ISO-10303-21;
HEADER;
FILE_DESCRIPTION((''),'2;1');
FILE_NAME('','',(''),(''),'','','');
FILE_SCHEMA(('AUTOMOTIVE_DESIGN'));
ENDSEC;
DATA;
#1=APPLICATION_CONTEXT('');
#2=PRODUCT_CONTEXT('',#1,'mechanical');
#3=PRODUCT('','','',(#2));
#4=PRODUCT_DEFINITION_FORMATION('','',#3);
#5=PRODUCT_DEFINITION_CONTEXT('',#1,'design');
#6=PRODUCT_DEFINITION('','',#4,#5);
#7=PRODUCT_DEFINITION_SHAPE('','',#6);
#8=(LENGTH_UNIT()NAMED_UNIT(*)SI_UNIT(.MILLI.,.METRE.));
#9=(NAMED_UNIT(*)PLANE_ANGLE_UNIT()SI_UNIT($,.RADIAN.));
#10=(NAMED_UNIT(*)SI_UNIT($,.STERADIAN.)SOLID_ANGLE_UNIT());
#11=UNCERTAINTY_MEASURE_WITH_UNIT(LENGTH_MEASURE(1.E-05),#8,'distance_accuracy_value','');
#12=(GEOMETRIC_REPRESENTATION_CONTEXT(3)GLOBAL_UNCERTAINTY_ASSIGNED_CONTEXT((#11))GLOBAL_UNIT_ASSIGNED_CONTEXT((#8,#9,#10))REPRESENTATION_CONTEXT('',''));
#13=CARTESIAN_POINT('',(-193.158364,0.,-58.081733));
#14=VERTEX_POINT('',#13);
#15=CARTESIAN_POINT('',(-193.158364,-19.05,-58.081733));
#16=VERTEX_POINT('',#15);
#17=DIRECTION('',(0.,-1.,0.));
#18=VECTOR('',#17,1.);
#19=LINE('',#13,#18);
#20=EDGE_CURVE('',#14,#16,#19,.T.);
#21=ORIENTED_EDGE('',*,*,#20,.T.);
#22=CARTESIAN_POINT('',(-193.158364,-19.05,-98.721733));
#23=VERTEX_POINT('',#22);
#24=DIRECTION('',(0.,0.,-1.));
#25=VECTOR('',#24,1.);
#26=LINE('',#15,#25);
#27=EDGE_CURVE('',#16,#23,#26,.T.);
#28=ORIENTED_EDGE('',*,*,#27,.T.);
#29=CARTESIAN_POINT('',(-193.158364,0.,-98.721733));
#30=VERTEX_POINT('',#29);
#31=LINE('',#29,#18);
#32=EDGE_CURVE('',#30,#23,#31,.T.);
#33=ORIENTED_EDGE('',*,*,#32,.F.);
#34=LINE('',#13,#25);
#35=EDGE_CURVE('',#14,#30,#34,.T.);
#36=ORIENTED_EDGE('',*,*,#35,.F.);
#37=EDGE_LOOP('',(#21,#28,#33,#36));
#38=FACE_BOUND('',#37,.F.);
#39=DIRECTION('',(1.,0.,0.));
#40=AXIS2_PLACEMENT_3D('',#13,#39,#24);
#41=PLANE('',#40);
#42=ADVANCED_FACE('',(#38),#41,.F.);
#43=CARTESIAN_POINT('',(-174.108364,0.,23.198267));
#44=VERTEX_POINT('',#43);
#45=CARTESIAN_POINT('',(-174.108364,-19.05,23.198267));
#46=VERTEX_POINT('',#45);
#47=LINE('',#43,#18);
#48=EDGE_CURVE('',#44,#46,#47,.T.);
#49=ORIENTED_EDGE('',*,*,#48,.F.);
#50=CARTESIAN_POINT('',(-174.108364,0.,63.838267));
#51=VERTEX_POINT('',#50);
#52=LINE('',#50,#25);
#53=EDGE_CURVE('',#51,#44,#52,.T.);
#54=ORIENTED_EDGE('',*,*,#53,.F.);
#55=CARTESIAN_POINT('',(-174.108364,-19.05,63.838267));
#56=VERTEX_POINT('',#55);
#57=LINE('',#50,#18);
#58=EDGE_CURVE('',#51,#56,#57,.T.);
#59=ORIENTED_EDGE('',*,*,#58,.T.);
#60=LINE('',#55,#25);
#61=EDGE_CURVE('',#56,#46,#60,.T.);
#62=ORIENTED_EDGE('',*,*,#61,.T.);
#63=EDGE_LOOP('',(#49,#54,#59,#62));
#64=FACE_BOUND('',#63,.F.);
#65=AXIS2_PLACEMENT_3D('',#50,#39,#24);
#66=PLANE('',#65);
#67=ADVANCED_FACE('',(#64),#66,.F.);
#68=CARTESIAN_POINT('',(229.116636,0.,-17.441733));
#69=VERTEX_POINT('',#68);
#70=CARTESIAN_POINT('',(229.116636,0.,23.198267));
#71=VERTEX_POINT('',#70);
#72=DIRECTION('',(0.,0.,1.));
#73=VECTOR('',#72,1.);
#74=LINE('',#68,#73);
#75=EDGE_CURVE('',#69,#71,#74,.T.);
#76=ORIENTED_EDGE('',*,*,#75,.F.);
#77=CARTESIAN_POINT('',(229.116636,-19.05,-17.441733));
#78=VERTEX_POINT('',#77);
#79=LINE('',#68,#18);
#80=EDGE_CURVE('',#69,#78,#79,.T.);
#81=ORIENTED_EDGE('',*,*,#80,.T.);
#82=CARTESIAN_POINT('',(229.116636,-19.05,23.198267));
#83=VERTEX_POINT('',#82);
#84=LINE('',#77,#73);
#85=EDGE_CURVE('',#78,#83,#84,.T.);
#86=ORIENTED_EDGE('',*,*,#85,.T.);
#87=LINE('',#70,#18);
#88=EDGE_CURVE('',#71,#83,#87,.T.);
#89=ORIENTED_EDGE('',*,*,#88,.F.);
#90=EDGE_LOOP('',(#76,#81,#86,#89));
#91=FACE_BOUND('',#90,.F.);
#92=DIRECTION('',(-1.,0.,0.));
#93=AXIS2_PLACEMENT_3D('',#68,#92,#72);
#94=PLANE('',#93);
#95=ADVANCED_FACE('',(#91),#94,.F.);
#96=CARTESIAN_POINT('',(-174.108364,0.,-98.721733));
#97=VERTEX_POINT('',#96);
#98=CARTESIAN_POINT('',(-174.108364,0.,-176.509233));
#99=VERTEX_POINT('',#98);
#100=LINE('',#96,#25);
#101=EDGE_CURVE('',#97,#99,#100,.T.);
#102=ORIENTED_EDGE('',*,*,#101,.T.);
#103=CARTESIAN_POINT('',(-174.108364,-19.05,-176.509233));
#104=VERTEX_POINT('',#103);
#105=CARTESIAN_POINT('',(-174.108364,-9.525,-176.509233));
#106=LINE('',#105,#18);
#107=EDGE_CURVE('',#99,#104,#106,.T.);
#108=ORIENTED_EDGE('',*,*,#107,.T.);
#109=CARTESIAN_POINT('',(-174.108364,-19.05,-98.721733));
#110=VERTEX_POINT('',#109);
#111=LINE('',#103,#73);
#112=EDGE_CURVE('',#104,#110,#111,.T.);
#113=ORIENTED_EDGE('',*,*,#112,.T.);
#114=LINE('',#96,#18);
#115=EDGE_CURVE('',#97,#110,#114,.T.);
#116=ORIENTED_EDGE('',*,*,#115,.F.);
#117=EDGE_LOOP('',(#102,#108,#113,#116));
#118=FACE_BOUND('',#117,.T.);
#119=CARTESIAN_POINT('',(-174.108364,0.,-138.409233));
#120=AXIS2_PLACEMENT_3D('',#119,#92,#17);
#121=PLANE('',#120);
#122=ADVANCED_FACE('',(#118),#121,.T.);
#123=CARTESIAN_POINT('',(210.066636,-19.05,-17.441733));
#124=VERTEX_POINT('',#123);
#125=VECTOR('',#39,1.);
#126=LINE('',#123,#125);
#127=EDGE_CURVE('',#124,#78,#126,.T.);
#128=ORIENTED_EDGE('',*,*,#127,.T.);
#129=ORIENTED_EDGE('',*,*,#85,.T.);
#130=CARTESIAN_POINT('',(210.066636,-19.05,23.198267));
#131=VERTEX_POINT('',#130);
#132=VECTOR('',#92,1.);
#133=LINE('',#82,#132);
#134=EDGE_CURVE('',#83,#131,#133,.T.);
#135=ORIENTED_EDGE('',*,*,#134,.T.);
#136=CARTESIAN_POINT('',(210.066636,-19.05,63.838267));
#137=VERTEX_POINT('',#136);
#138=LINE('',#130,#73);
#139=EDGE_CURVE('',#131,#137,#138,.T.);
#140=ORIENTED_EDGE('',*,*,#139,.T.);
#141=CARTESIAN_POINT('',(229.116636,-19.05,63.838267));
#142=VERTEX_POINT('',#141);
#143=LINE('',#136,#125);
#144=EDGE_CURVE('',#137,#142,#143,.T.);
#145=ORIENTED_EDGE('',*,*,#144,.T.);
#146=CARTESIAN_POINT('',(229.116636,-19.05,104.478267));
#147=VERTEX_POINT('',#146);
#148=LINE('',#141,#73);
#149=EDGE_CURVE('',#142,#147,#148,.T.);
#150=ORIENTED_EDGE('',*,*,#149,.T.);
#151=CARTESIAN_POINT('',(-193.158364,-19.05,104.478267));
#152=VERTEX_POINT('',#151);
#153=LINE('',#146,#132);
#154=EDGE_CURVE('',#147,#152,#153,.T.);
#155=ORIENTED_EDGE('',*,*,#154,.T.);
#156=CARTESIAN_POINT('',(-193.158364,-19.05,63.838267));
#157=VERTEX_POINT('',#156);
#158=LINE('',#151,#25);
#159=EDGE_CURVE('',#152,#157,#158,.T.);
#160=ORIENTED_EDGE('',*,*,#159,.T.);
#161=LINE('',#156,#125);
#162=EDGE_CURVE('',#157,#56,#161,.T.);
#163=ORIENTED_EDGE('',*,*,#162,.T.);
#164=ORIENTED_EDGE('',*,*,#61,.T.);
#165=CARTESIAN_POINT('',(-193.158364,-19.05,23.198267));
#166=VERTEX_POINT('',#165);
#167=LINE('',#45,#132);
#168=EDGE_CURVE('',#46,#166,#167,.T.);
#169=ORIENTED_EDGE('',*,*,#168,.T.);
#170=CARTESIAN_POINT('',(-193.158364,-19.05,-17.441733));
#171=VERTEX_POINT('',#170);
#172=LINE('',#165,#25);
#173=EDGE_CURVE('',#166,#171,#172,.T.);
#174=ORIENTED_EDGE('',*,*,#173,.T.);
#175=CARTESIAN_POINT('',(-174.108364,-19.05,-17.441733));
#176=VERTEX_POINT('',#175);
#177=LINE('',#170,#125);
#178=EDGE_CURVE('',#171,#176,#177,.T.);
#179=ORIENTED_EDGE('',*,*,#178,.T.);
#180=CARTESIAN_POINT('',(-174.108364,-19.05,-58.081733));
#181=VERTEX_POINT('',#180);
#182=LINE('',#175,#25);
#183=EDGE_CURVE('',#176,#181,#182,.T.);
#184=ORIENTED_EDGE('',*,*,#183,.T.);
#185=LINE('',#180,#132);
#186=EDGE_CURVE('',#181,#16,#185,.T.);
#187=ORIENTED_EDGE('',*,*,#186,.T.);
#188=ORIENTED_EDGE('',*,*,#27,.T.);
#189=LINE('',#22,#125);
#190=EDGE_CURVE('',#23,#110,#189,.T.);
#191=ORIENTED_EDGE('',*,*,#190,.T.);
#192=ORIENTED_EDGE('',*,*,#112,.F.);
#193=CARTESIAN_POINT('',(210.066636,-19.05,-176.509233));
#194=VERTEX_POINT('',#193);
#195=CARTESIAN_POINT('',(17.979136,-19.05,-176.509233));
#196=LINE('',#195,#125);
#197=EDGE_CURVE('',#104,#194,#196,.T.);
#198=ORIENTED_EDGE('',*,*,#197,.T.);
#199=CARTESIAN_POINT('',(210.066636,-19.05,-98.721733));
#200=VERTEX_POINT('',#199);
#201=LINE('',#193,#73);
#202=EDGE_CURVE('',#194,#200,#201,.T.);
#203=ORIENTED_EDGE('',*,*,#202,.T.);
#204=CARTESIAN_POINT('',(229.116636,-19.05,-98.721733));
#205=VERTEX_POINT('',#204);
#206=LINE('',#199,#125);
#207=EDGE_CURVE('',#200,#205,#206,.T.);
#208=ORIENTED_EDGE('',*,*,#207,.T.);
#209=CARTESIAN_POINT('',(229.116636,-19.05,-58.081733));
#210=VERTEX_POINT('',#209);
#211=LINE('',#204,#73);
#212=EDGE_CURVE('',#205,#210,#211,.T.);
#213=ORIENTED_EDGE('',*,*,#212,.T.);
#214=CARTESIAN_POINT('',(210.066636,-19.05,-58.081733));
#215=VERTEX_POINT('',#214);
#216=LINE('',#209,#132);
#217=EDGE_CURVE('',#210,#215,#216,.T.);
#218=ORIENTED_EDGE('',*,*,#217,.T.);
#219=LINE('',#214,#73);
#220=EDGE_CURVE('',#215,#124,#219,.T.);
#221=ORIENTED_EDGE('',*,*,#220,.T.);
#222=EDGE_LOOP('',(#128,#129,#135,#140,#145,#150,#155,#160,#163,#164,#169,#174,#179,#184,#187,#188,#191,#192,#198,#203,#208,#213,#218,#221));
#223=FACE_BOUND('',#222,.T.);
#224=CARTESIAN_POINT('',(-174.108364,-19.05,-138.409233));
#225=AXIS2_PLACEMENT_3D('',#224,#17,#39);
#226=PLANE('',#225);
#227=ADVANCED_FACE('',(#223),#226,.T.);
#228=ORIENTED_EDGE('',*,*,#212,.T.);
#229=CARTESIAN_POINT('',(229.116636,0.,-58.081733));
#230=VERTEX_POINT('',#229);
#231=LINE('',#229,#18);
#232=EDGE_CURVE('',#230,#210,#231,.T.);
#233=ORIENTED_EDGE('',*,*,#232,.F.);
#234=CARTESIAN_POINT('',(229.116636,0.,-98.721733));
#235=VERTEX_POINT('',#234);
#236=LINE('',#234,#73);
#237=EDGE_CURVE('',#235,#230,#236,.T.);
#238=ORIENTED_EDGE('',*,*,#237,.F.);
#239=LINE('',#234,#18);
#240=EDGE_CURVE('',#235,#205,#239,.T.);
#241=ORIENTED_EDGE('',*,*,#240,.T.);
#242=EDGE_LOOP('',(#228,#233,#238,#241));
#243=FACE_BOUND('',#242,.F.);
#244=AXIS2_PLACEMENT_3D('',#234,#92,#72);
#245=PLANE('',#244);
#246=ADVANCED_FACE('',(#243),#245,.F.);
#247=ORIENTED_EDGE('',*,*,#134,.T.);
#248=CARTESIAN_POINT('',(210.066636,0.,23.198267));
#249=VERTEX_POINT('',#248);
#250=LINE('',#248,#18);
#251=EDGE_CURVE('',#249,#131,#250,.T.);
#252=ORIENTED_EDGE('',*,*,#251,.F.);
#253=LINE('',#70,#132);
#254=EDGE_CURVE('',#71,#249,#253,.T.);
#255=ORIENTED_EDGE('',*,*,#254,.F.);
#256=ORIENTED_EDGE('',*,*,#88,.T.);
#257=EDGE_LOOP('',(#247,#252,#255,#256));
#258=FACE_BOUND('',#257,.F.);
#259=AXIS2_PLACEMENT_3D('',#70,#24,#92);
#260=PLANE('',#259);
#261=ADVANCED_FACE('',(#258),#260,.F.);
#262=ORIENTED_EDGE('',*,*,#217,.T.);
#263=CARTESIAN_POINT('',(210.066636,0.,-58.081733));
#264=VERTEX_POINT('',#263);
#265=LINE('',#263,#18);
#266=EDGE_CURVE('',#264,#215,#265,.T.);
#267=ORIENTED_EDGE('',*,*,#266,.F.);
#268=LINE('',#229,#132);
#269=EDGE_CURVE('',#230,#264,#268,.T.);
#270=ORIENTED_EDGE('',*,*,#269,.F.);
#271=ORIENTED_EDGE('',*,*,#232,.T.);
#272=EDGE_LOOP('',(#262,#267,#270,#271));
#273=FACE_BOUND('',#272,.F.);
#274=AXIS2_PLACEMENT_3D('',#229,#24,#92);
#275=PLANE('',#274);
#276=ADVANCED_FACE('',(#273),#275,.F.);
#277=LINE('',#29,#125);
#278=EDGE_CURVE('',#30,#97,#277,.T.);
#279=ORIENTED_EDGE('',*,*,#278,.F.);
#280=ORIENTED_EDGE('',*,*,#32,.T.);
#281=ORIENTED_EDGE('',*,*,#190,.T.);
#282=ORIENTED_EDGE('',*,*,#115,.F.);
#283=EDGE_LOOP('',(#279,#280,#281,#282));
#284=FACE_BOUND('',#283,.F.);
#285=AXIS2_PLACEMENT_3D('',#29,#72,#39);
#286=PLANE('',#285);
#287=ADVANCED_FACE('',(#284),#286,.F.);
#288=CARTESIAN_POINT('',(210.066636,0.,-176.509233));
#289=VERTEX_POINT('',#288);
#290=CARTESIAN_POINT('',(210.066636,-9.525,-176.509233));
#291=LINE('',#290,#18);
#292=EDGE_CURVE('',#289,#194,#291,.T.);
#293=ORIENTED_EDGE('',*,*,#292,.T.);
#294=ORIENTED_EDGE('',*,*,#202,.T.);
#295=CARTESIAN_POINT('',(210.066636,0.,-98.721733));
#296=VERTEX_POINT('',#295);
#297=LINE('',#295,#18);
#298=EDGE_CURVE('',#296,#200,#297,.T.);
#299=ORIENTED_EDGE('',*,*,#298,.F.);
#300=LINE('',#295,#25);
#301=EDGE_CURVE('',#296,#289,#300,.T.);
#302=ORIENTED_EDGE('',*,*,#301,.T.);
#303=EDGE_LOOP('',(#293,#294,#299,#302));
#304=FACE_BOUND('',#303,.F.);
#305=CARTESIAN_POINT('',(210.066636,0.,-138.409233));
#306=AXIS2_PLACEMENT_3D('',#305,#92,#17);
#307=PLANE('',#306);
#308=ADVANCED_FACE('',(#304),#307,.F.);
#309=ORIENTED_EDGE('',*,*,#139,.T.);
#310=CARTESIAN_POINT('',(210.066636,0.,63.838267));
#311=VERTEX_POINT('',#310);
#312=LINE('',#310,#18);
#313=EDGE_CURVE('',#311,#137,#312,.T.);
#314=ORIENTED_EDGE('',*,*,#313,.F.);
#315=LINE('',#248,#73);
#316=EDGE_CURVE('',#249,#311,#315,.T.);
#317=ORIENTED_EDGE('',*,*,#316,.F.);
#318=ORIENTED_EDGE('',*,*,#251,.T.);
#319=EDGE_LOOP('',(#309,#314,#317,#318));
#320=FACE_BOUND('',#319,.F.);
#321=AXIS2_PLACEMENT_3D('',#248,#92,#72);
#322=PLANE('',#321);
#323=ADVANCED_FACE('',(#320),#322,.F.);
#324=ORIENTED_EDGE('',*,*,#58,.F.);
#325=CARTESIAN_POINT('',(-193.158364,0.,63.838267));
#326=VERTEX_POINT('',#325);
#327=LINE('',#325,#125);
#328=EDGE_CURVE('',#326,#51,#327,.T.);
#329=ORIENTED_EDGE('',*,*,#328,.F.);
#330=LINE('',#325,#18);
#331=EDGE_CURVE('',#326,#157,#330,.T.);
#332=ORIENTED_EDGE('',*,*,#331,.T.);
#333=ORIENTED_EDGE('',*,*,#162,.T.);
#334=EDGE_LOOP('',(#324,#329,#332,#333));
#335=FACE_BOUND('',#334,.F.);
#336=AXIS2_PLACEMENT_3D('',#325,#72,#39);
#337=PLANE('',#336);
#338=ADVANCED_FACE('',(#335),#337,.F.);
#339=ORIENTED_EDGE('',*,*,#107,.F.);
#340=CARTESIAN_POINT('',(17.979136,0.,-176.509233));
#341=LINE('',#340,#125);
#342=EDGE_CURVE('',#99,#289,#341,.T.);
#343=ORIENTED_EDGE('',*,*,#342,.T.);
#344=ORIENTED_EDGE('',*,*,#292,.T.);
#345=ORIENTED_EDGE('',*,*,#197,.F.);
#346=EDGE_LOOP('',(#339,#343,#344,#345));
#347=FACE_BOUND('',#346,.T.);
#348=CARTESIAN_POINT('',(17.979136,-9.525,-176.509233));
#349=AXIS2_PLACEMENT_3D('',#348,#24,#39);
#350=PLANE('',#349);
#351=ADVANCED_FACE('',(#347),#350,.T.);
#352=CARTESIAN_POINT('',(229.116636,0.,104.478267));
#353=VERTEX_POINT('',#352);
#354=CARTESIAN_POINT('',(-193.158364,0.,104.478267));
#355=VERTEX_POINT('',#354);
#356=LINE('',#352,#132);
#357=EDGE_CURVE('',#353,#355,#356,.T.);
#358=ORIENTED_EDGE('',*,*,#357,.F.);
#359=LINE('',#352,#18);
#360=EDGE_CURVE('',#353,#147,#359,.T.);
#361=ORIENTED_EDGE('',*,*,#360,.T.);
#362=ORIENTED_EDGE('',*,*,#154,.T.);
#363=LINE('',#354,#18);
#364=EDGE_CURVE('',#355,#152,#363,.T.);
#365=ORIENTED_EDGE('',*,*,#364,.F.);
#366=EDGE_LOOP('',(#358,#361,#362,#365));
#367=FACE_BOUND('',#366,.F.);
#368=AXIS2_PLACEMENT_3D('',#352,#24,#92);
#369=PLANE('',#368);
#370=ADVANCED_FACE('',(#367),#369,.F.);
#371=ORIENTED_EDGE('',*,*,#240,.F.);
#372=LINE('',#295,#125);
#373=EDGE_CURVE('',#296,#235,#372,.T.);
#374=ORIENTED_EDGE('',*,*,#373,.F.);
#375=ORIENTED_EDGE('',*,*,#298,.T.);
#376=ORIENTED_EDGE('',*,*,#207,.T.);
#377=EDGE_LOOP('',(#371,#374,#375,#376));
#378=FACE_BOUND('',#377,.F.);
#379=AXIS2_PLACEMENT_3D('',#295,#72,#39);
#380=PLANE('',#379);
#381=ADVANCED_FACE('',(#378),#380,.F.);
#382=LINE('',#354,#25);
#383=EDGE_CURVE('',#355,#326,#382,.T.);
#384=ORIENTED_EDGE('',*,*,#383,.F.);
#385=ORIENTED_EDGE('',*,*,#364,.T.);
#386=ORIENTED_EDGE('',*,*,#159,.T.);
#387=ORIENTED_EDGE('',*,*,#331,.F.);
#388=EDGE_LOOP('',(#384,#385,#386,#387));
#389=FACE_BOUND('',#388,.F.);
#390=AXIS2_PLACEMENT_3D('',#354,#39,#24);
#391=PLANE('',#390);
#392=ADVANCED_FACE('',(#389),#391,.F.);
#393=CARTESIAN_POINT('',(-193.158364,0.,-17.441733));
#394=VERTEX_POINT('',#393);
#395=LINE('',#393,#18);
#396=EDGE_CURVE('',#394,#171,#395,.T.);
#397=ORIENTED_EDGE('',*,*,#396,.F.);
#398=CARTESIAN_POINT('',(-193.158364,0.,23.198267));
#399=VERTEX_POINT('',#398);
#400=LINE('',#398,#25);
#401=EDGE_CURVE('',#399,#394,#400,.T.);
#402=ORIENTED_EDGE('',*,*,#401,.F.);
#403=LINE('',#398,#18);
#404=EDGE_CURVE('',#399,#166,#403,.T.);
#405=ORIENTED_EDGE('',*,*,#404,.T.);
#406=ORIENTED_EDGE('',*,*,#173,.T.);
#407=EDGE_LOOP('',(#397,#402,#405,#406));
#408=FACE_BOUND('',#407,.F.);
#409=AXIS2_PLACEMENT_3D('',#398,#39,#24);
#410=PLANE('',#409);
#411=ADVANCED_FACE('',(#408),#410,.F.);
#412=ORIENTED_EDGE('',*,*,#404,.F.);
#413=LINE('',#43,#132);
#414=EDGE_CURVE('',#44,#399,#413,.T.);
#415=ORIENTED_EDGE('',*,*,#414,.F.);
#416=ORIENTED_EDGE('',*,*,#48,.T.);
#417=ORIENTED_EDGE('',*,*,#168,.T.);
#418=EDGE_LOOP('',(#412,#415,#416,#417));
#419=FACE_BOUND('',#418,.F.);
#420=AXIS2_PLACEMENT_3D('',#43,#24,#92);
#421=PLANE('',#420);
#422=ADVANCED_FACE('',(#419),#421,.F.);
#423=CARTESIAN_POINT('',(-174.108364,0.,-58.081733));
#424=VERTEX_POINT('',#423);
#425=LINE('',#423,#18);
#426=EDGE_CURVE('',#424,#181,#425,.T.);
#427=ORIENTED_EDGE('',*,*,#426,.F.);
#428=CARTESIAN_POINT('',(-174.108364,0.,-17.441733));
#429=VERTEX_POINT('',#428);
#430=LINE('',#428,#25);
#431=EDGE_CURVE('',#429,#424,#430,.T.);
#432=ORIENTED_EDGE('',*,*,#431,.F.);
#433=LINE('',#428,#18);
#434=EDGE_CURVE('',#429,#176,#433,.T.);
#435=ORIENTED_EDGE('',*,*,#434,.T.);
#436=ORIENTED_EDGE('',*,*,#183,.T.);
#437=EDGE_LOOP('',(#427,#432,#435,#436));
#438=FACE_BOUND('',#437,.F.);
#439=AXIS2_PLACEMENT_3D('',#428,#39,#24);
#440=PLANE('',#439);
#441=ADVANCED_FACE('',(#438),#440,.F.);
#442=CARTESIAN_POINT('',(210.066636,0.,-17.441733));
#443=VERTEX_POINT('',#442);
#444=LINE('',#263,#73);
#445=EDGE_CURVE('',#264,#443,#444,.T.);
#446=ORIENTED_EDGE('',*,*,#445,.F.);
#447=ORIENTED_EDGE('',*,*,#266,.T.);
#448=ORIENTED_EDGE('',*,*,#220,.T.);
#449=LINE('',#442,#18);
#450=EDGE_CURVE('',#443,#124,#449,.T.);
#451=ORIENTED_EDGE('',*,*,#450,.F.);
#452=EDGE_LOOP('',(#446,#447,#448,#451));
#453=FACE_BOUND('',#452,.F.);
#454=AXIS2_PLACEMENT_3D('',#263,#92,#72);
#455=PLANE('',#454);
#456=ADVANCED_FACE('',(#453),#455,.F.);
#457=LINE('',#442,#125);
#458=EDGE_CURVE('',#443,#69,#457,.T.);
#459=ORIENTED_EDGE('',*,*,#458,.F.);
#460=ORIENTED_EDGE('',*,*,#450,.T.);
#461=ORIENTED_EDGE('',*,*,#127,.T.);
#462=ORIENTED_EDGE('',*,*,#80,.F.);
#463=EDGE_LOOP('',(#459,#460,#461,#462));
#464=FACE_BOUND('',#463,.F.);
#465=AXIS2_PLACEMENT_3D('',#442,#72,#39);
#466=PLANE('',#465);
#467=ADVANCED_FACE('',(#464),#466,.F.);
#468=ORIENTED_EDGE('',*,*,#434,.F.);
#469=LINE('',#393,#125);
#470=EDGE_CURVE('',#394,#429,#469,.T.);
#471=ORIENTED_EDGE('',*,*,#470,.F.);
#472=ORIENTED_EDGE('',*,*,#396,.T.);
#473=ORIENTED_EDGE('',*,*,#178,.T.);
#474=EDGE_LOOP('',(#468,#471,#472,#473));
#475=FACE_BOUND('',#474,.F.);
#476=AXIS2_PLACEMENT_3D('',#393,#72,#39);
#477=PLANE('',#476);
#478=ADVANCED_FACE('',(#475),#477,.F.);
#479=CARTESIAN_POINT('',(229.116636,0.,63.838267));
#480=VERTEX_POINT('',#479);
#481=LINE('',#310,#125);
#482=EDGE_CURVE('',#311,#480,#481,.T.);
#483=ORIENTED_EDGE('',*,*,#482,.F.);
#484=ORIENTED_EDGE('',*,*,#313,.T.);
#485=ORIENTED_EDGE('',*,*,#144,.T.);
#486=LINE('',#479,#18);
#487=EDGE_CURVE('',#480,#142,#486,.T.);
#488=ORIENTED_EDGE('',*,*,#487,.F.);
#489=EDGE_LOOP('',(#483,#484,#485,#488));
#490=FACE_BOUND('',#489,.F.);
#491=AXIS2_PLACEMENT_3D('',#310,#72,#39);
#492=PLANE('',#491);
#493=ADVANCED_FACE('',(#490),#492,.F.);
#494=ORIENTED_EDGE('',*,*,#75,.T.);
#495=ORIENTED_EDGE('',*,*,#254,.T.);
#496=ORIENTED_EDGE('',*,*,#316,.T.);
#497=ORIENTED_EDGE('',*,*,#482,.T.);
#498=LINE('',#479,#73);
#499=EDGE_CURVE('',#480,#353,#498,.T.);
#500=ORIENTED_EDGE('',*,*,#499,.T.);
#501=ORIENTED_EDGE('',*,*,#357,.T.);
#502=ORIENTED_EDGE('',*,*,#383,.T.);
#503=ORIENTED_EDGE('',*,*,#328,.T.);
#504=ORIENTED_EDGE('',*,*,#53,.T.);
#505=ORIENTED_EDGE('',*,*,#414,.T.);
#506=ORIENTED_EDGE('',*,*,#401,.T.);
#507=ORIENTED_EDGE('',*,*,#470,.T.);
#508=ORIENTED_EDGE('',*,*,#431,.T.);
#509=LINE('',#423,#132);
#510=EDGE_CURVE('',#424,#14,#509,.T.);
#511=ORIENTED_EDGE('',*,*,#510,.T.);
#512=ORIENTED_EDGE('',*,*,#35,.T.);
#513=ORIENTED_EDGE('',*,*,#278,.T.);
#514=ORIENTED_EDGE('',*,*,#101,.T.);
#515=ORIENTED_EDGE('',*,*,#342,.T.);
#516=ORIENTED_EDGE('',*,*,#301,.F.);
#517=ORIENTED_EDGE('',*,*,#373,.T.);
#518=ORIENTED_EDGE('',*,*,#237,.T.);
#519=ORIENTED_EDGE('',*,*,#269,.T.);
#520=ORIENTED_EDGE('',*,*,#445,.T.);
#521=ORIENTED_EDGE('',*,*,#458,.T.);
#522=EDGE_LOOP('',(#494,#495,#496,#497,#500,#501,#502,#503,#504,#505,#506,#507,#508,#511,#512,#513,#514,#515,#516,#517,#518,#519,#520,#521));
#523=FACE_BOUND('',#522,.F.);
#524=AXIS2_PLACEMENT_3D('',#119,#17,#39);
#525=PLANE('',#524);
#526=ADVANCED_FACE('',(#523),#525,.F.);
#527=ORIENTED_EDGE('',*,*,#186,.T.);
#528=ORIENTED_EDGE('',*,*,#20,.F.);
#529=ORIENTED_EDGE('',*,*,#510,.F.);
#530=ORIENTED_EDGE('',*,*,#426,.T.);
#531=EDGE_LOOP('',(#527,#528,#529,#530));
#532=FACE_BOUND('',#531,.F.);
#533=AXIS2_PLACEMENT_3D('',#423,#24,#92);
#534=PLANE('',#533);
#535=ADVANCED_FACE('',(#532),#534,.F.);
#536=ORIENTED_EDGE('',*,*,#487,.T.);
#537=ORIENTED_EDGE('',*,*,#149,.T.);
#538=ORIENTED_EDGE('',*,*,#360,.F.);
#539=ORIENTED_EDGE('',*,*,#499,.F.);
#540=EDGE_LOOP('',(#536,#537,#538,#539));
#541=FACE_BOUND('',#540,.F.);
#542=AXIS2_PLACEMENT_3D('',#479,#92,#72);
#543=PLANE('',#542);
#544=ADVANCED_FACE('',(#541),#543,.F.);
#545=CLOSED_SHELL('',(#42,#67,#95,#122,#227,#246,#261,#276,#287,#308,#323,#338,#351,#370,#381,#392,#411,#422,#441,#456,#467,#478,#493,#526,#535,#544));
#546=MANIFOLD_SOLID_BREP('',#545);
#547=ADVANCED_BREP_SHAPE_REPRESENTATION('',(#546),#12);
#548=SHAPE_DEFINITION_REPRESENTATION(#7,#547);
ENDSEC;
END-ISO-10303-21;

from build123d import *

# Parameters (mm, degrees)
F1_DEPTH = 19.05
F2_W     = 384.175
F2_H     = 19.05
F3_DEPTH = 38.1


with BuildPart() as f1:
    # F0 (on Front) → F1 (new body)
    with BuildSketch(Plane.XZ):
        Polygon((-193.158364, 104.478267), (-193.158364, 63.838267), (-174.108364, 63.838267), (-174.108364, 23.198267), (-193.158364, 23.198267), (-193.158364, -17.441733), (-174.108364, -17.441733), (-174.108364, -58.081733), (-193.158364, -58.081733), (-193.158364, -98.721733), (-174.108364, -98.721733), (-174.108364, -138.409233), (17.979136, -138.409233), (210.066636, -138.409233), (210.066636, -98.721733), (229.116636, -98.721733), (229.116636, -58.081733), (210.066636, -58.081733), (210.066636, -17.441733), (229.116636, -17.441733), (229.116636, 23.198267), (210.066636, 23.198267), (210.066636, 63.838267), (229.116636, 63.838267), (229.116636, 104.478267), (17.979136, 104.478267), align=None)
    extrude(amount=F1_DEPTH)

    # F2 (on face) → F3 (join)
    with BuildSketch(Plane(origin=(0, 0, -138.409233), x_dir=(1, 0, 0), z_dir=(0, 0, -1))):
        with Locations((17.979136, 9.525)):
            Rectangle(F2_W, F2_H)
    extrude(amount=F3_DEPTH)


solid = f1.part
